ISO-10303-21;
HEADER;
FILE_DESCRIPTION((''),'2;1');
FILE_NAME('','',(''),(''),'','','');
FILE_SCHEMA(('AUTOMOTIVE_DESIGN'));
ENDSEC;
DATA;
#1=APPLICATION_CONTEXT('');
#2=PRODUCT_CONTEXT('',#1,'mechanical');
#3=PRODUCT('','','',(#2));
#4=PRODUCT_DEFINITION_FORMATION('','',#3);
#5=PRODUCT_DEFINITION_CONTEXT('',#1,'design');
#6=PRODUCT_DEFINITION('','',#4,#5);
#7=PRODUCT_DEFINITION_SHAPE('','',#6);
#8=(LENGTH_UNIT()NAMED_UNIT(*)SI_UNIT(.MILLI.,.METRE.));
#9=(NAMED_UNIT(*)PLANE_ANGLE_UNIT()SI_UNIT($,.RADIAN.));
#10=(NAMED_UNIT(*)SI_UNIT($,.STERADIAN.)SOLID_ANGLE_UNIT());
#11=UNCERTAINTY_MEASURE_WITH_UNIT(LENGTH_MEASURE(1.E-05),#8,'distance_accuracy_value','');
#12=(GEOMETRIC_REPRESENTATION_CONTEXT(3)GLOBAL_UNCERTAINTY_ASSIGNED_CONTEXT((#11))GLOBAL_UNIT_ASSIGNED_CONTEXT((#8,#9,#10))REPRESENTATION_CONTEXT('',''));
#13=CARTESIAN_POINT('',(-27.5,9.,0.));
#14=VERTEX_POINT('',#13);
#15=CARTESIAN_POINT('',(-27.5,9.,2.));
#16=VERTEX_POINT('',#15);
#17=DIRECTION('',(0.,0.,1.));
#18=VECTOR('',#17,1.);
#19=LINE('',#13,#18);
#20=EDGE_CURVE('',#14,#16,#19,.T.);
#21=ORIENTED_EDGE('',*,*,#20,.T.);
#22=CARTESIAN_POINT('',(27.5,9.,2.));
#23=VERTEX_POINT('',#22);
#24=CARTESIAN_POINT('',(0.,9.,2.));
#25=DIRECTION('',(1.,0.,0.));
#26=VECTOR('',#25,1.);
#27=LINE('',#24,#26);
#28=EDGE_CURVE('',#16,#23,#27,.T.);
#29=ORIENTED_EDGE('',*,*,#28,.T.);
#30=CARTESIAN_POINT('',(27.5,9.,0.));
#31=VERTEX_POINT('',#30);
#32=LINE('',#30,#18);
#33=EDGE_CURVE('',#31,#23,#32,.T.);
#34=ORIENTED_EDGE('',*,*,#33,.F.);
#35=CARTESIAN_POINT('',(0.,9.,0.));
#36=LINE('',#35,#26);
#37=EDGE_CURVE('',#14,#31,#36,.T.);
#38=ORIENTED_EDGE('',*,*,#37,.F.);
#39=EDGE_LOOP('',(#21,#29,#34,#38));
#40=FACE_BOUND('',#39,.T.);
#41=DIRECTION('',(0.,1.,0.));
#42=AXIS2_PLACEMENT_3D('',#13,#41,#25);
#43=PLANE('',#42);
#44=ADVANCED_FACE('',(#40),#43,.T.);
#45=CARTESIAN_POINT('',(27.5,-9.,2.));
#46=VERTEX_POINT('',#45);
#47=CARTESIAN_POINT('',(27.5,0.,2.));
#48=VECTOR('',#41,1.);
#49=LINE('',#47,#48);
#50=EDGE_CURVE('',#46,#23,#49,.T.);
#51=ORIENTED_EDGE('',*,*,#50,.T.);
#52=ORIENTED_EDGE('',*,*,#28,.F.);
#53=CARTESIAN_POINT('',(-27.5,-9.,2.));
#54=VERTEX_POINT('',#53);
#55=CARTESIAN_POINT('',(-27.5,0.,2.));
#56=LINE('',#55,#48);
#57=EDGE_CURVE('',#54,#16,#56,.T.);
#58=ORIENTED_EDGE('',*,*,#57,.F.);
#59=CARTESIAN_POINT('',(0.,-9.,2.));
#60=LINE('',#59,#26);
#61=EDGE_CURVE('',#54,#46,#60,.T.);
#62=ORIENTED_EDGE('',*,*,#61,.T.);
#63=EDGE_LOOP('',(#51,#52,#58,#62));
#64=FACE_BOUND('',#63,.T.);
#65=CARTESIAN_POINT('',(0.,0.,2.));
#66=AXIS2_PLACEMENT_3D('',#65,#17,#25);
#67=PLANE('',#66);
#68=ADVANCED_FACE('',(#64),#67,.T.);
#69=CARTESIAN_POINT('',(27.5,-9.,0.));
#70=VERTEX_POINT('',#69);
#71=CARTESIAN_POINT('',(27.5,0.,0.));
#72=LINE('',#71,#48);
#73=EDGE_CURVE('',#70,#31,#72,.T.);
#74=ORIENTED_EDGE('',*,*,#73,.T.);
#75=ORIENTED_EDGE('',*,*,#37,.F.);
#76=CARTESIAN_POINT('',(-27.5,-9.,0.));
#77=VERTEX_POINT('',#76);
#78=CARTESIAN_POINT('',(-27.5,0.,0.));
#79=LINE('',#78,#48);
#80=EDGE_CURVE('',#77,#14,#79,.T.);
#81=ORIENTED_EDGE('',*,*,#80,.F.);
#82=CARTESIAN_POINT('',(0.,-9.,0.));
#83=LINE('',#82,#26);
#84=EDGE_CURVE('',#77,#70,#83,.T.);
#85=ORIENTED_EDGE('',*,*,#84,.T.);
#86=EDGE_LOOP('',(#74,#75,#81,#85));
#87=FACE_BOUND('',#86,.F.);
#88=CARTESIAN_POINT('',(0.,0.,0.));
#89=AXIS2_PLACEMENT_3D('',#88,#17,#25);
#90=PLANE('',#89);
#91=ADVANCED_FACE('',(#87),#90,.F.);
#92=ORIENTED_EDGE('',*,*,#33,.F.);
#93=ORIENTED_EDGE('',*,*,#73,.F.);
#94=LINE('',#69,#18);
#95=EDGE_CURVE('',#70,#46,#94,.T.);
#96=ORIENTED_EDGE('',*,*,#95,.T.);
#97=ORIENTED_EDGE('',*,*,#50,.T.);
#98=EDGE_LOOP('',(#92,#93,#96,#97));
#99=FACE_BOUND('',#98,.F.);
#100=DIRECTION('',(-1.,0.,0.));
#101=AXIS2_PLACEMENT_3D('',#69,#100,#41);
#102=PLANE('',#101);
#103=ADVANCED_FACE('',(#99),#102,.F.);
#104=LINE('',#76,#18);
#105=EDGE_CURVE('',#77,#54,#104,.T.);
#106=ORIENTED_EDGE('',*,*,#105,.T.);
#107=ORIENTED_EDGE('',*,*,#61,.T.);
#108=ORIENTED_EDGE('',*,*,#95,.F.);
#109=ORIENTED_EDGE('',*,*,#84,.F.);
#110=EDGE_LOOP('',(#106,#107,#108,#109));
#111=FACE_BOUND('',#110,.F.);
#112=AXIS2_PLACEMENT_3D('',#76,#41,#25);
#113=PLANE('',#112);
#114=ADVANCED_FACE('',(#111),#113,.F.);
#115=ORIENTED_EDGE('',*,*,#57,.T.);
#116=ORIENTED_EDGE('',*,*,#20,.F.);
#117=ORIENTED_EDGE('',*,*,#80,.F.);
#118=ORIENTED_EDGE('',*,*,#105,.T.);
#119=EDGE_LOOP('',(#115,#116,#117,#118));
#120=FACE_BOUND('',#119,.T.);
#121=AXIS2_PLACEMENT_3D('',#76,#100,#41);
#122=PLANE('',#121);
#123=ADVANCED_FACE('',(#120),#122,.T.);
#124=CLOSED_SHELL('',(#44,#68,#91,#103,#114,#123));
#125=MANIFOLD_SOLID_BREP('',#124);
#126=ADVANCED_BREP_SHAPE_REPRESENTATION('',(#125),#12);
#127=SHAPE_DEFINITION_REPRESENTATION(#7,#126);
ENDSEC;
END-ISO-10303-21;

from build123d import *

# Parameters (mm, degrees)
F0_W     = 55
F0_H     = 18
F1_DEPTH = 2
F2_W     = 55
F2_H     = 18
F3_DEPTH = 2


with BuildPart() as f1:
    # F0 (on Top) → F1 (new body)
    with BuildSketch(Plane.XY):
        Rectangle(F0_W, F0_H)
    extrude(amount=F1_DEPTH)

    # F2 (on Top) → F3 (join)
    with BuildSketch(Plane.XY):
        Rectangle(F2_W, F2_H)
    extrude(amount=F3_DEPTH)


solid = f1.part
